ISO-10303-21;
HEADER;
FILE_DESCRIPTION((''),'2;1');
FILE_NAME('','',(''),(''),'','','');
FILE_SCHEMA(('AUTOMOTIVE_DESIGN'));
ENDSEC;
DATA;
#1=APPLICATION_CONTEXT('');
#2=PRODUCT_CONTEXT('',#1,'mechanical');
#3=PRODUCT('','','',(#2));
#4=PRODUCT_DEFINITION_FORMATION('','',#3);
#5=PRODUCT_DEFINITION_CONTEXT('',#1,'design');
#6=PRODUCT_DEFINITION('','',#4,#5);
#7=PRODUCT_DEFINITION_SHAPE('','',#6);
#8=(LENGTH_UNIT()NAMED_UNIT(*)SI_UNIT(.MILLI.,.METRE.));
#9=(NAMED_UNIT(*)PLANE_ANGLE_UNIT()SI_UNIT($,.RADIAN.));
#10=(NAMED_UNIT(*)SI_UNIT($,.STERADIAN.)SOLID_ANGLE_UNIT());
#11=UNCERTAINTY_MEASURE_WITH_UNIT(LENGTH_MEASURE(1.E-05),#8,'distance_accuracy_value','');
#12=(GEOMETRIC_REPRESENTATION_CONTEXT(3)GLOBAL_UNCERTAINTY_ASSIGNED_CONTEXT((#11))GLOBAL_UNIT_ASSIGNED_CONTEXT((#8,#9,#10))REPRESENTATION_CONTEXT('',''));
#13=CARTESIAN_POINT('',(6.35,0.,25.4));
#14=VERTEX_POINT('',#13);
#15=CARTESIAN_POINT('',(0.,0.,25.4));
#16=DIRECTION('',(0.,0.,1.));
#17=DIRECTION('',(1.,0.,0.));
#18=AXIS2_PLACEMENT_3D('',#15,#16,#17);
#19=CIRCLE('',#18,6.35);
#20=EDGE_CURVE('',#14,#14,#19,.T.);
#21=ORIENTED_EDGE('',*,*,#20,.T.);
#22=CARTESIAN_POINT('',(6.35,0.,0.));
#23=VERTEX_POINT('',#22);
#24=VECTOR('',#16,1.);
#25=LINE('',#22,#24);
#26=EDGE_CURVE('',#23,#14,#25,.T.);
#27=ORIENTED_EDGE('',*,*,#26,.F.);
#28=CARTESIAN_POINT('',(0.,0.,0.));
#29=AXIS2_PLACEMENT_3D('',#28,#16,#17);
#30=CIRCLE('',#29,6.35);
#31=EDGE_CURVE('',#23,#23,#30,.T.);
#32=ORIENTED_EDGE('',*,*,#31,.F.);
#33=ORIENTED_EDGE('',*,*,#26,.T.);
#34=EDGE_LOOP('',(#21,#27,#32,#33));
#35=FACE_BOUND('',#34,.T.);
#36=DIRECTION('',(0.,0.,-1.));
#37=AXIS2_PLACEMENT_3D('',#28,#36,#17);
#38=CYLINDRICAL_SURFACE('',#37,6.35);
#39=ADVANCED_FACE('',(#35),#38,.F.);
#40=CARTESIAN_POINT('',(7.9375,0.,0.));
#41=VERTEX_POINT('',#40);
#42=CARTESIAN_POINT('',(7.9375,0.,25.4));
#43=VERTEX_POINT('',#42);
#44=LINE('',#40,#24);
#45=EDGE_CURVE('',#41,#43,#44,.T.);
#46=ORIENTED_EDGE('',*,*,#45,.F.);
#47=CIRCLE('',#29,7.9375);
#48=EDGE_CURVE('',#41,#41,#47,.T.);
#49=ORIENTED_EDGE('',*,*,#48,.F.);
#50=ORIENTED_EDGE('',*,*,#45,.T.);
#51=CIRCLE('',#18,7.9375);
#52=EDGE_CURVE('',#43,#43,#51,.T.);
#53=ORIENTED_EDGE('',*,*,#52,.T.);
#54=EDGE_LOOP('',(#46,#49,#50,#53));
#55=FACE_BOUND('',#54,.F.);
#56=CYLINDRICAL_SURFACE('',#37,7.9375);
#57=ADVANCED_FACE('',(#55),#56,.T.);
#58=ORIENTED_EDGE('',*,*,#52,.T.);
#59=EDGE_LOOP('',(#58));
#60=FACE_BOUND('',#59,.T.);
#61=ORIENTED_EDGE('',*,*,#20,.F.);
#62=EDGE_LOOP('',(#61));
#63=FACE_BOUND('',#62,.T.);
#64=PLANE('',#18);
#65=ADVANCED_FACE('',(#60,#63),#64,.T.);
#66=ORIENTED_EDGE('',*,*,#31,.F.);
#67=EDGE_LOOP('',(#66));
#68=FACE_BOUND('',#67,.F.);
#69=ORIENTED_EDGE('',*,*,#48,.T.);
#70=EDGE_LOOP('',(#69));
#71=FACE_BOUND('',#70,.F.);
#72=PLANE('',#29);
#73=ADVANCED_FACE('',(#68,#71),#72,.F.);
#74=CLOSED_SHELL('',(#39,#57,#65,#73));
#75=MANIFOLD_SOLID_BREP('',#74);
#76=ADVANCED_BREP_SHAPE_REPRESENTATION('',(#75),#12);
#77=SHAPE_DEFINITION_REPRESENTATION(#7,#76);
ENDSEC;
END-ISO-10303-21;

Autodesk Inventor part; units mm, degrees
ref_plane "YZ Plane" through (0, 0, 0) normal (1, 0, 0) x (0, 1, 0)
ref_plane "XZ Plane" through (0, 0, 0) normal (0, 1, 0) x (-1, 0, 0)
ref_plane "XY Plane" through (0, 0, 0) normal (0, 0, 1) x (1, 0, 0)
sketch "Sketch1" plane through (0, 0, 0) normal (0, 0, 1) x (1, 0, 0)
  circle A0 centre (0, 0) radius 7.9375
  circle A1 centre (0, 0) radius 6.35
  dimension "d0" = 15.875
  dimension "d1" = 12.7
extrude "Extrusion1" add sketch "Sketch1" along normal blind 25.4
properties part number "Flange Bearing" material "Brass, Soft Yellow"
